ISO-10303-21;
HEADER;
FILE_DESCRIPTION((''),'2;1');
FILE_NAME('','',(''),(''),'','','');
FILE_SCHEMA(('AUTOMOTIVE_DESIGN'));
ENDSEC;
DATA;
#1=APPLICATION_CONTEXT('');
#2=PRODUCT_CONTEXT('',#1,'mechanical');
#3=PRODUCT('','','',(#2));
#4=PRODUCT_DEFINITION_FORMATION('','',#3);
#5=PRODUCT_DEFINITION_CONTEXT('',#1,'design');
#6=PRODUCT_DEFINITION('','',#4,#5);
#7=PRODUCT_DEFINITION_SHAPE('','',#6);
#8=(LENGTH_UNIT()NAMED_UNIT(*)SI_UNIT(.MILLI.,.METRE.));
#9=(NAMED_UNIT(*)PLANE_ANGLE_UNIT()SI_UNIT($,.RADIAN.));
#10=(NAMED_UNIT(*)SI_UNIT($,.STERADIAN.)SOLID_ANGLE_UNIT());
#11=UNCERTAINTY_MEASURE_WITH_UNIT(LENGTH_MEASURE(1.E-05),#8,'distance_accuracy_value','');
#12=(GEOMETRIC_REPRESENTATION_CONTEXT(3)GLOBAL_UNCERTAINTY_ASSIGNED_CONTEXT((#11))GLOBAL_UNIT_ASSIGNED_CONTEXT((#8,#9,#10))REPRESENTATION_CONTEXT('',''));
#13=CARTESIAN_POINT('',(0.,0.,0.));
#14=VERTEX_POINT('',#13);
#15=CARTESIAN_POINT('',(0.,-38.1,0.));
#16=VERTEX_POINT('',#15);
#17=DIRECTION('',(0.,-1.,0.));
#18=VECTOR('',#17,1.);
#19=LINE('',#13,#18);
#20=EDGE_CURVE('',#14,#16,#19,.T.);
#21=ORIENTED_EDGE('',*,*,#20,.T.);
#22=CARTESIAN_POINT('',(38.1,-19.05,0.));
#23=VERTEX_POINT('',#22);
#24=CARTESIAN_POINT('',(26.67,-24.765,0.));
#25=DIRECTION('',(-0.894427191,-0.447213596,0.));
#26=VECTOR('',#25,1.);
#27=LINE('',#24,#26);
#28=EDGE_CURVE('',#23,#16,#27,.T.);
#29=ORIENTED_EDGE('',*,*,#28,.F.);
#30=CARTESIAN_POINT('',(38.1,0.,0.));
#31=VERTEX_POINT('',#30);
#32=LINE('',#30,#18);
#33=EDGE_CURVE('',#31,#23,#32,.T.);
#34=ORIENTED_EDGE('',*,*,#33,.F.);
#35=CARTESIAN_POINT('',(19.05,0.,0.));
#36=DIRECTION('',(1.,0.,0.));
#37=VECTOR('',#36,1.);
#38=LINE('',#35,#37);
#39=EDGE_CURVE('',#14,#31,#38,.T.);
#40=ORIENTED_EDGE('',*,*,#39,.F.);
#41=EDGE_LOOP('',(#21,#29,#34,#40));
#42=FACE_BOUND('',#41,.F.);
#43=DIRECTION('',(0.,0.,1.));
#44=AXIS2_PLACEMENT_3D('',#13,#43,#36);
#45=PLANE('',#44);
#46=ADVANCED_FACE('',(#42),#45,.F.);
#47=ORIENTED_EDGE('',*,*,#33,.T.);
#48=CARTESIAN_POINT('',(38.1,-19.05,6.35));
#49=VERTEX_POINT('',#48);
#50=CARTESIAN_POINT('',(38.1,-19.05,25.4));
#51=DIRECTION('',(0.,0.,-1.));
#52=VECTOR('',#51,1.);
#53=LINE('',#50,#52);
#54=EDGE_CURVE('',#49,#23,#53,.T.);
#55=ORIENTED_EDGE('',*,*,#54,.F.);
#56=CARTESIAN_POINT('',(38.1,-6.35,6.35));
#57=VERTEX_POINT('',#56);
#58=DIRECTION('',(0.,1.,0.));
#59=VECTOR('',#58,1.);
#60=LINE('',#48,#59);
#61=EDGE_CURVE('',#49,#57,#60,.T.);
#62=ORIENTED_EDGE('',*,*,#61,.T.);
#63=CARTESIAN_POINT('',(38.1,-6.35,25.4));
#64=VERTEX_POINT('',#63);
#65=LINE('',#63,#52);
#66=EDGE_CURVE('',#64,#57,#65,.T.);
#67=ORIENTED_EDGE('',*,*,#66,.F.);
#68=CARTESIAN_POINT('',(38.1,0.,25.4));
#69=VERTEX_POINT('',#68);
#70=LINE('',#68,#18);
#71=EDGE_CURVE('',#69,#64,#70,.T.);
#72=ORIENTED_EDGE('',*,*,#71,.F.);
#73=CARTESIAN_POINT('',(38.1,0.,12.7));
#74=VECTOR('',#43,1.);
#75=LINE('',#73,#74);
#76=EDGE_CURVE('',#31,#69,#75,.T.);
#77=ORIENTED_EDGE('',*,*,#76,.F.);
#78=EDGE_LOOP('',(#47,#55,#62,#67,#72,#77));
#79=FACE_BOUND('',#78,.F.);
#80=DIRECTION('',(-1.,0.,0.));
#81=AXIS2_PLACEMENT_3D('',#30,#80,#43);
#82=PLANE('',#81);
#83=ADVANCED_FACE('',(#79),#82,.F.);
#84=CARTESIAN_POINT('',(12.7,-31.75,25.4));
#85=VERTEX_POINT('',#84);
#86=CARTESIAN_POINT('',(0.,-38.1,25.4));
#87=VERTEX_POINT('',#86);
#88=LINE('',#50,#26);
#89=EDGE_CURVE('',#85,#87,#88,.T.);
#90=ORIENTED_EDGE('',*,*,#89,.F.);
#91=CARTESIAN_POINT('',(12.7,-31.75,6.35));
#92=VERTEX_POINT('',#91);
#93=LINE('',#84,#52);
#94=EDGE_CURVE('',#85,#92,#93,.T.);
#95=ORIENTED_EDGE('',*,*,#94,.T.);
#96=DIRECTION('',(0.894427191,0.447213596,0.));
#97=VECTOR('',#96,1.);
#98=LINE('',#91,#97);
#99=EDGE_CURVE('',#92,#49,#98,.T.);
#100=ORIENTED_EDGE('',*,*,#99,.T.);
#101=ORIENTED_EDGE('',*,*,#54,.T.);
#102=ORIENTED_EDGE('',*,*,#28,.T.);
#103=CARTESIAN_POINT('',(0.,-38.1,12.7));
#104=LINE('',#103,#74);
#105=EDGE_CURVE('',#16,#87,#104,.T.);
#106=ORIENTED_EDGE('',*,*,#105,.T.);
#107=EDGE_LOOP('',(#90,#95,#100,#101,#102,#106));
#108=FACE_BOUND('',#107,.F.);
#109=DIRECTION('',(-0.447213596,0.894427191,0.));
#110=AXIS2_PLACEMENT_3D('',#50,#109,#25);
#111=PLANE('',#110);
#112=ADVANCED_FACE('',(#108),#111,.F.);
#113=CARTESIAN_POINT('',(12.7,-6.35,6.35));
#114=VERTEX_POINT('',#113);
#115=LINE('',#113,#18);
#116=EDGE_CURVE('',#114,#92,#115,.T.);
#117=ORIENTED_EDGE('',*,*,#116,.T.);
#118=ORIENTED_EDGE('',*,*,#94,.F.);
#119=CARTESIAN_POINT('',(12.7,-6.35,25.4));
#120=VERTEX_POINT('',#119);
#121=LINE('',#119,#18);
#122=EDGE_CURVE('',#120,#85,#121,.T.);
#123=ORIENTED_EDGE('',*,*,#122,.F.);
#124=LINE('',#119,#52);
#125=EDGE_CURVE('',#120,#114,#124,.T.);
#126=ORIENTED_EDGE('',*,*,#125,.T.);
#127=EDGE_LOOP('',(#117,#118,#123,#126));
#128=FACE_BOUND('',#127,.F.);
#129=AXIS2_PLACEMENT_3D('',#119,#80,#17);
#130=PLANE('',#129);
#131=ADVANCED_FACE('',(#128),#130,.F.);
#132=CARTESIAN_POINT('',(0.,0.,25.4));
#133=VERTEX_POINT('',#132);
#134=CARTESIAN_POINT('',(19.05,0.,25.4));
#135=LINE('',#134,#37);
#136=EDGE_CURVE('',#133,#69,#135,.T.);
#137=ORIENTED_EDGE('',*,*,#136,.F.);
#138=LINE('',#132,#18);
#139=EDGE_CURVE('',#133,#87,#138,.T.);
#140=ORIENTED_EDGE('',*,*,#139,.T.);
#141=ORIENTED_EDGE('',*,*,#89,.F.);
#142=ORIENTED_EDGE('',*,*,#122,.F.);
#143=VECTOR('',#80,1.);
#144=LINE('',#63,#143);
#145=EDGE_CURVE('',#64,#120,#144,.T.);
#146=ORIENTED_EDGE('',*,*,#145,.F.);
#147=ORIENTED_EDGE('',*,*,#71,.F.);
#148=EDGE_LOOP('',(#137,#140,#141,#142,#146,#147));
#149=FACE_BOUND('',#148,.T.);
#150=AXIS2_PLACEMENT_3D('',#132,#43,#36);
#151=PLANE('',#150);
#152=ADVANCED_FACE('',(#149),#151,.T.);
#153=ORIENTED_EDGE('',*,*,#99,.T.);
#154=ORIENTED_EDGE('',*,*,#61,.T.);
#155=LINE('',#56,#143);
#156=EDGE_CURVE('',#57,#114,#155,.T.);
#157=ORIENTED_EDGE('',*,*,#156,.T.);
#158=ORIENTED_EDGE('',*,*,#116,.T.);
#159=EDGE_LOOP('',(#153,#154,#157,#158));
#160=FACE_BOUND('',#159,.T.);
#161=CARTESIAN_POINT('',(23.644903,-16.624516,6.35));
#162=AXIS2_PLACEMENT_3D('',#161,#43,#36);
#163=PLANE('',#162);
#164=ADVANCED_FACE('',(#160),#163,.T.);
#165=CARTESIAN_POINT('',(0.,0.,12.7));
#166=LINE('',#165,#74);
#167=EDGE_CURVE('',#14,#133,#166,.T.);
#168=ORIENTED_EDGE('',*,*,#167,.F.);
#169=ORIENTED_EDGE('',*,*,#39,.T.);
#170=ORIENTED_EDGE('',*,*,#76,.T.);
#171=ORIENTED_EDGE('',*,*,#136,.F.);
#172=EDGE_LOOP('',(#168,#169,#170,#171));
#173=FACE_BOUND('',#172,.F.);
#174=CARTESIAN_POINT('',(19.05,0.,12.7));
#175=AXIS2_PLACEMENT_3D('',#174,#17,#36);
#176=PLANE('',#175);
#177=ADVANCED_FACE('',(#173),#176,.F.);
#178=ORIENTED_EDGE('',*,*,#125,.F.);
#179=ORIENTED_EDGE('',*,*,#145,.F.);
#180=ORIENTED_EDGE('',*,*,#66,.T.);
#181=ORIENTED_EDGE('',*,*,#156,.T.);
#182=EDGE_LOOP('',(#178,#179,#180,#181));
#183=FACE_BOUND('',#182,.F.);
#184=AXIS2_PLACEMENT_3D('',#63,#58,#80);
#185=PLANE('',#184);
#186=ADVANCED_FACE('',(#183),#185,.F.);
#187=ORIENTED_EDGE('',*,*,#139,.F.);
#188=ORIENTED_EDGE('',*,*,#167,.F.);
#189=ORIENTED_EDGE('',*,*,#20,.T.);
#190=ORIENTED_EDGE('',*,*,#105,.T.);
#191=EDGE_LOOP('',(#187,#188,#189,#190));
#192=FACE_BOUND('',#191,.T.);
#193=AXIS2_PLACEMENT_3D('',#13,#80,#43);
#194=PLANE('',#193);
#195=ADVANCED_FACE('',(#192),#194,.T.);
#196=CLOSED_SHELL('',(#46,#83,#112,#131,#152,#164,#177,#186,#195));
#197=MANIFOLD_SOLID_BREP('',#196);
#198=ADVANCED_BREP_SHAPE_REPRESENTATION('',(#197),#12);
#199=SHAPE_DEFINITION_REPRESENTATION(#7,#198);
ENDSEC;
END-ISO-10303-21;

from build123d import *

# Parameters (mm, degrees)
F0_W     = 38.1
F0_H     = 25.4
F1_DEPTH = 38.1
F3_DEPTH = 101.6
F5_DEPTH = 19.05


with BuildPart() as f1:
    # F0 (on Front) → F1 (new body)
    with BuildSketch(Plane.XZ):
        with Locations((19.05, 12.7)):
            Rectangle(F0_W, F0_H)
    extrude(amount=F1_DEPTH)

    # F2 (on face) → F3 (cut)
    with BuildSketch(Plane.XY.offset(25.4)):
        Polygon((38.1, -38.1), (38.1, -19.05), (0, -38.1), align=None)
    extrude(amount=-F3_DEPTH, mode=Mode.SUBTRACT)

    # F4 (on face) → F5 (cut)
    with BuildSketch(Plane.XY.offset(25.4)):
        Polygon((38.1, -19.05), (38.1, -6.35), (12.7, -6.35), (12.7, -31.75), align=None)
    extrude(amount=-F5_DEPTH, mode=Mode.SUBTRACT)


solid = f1.part
